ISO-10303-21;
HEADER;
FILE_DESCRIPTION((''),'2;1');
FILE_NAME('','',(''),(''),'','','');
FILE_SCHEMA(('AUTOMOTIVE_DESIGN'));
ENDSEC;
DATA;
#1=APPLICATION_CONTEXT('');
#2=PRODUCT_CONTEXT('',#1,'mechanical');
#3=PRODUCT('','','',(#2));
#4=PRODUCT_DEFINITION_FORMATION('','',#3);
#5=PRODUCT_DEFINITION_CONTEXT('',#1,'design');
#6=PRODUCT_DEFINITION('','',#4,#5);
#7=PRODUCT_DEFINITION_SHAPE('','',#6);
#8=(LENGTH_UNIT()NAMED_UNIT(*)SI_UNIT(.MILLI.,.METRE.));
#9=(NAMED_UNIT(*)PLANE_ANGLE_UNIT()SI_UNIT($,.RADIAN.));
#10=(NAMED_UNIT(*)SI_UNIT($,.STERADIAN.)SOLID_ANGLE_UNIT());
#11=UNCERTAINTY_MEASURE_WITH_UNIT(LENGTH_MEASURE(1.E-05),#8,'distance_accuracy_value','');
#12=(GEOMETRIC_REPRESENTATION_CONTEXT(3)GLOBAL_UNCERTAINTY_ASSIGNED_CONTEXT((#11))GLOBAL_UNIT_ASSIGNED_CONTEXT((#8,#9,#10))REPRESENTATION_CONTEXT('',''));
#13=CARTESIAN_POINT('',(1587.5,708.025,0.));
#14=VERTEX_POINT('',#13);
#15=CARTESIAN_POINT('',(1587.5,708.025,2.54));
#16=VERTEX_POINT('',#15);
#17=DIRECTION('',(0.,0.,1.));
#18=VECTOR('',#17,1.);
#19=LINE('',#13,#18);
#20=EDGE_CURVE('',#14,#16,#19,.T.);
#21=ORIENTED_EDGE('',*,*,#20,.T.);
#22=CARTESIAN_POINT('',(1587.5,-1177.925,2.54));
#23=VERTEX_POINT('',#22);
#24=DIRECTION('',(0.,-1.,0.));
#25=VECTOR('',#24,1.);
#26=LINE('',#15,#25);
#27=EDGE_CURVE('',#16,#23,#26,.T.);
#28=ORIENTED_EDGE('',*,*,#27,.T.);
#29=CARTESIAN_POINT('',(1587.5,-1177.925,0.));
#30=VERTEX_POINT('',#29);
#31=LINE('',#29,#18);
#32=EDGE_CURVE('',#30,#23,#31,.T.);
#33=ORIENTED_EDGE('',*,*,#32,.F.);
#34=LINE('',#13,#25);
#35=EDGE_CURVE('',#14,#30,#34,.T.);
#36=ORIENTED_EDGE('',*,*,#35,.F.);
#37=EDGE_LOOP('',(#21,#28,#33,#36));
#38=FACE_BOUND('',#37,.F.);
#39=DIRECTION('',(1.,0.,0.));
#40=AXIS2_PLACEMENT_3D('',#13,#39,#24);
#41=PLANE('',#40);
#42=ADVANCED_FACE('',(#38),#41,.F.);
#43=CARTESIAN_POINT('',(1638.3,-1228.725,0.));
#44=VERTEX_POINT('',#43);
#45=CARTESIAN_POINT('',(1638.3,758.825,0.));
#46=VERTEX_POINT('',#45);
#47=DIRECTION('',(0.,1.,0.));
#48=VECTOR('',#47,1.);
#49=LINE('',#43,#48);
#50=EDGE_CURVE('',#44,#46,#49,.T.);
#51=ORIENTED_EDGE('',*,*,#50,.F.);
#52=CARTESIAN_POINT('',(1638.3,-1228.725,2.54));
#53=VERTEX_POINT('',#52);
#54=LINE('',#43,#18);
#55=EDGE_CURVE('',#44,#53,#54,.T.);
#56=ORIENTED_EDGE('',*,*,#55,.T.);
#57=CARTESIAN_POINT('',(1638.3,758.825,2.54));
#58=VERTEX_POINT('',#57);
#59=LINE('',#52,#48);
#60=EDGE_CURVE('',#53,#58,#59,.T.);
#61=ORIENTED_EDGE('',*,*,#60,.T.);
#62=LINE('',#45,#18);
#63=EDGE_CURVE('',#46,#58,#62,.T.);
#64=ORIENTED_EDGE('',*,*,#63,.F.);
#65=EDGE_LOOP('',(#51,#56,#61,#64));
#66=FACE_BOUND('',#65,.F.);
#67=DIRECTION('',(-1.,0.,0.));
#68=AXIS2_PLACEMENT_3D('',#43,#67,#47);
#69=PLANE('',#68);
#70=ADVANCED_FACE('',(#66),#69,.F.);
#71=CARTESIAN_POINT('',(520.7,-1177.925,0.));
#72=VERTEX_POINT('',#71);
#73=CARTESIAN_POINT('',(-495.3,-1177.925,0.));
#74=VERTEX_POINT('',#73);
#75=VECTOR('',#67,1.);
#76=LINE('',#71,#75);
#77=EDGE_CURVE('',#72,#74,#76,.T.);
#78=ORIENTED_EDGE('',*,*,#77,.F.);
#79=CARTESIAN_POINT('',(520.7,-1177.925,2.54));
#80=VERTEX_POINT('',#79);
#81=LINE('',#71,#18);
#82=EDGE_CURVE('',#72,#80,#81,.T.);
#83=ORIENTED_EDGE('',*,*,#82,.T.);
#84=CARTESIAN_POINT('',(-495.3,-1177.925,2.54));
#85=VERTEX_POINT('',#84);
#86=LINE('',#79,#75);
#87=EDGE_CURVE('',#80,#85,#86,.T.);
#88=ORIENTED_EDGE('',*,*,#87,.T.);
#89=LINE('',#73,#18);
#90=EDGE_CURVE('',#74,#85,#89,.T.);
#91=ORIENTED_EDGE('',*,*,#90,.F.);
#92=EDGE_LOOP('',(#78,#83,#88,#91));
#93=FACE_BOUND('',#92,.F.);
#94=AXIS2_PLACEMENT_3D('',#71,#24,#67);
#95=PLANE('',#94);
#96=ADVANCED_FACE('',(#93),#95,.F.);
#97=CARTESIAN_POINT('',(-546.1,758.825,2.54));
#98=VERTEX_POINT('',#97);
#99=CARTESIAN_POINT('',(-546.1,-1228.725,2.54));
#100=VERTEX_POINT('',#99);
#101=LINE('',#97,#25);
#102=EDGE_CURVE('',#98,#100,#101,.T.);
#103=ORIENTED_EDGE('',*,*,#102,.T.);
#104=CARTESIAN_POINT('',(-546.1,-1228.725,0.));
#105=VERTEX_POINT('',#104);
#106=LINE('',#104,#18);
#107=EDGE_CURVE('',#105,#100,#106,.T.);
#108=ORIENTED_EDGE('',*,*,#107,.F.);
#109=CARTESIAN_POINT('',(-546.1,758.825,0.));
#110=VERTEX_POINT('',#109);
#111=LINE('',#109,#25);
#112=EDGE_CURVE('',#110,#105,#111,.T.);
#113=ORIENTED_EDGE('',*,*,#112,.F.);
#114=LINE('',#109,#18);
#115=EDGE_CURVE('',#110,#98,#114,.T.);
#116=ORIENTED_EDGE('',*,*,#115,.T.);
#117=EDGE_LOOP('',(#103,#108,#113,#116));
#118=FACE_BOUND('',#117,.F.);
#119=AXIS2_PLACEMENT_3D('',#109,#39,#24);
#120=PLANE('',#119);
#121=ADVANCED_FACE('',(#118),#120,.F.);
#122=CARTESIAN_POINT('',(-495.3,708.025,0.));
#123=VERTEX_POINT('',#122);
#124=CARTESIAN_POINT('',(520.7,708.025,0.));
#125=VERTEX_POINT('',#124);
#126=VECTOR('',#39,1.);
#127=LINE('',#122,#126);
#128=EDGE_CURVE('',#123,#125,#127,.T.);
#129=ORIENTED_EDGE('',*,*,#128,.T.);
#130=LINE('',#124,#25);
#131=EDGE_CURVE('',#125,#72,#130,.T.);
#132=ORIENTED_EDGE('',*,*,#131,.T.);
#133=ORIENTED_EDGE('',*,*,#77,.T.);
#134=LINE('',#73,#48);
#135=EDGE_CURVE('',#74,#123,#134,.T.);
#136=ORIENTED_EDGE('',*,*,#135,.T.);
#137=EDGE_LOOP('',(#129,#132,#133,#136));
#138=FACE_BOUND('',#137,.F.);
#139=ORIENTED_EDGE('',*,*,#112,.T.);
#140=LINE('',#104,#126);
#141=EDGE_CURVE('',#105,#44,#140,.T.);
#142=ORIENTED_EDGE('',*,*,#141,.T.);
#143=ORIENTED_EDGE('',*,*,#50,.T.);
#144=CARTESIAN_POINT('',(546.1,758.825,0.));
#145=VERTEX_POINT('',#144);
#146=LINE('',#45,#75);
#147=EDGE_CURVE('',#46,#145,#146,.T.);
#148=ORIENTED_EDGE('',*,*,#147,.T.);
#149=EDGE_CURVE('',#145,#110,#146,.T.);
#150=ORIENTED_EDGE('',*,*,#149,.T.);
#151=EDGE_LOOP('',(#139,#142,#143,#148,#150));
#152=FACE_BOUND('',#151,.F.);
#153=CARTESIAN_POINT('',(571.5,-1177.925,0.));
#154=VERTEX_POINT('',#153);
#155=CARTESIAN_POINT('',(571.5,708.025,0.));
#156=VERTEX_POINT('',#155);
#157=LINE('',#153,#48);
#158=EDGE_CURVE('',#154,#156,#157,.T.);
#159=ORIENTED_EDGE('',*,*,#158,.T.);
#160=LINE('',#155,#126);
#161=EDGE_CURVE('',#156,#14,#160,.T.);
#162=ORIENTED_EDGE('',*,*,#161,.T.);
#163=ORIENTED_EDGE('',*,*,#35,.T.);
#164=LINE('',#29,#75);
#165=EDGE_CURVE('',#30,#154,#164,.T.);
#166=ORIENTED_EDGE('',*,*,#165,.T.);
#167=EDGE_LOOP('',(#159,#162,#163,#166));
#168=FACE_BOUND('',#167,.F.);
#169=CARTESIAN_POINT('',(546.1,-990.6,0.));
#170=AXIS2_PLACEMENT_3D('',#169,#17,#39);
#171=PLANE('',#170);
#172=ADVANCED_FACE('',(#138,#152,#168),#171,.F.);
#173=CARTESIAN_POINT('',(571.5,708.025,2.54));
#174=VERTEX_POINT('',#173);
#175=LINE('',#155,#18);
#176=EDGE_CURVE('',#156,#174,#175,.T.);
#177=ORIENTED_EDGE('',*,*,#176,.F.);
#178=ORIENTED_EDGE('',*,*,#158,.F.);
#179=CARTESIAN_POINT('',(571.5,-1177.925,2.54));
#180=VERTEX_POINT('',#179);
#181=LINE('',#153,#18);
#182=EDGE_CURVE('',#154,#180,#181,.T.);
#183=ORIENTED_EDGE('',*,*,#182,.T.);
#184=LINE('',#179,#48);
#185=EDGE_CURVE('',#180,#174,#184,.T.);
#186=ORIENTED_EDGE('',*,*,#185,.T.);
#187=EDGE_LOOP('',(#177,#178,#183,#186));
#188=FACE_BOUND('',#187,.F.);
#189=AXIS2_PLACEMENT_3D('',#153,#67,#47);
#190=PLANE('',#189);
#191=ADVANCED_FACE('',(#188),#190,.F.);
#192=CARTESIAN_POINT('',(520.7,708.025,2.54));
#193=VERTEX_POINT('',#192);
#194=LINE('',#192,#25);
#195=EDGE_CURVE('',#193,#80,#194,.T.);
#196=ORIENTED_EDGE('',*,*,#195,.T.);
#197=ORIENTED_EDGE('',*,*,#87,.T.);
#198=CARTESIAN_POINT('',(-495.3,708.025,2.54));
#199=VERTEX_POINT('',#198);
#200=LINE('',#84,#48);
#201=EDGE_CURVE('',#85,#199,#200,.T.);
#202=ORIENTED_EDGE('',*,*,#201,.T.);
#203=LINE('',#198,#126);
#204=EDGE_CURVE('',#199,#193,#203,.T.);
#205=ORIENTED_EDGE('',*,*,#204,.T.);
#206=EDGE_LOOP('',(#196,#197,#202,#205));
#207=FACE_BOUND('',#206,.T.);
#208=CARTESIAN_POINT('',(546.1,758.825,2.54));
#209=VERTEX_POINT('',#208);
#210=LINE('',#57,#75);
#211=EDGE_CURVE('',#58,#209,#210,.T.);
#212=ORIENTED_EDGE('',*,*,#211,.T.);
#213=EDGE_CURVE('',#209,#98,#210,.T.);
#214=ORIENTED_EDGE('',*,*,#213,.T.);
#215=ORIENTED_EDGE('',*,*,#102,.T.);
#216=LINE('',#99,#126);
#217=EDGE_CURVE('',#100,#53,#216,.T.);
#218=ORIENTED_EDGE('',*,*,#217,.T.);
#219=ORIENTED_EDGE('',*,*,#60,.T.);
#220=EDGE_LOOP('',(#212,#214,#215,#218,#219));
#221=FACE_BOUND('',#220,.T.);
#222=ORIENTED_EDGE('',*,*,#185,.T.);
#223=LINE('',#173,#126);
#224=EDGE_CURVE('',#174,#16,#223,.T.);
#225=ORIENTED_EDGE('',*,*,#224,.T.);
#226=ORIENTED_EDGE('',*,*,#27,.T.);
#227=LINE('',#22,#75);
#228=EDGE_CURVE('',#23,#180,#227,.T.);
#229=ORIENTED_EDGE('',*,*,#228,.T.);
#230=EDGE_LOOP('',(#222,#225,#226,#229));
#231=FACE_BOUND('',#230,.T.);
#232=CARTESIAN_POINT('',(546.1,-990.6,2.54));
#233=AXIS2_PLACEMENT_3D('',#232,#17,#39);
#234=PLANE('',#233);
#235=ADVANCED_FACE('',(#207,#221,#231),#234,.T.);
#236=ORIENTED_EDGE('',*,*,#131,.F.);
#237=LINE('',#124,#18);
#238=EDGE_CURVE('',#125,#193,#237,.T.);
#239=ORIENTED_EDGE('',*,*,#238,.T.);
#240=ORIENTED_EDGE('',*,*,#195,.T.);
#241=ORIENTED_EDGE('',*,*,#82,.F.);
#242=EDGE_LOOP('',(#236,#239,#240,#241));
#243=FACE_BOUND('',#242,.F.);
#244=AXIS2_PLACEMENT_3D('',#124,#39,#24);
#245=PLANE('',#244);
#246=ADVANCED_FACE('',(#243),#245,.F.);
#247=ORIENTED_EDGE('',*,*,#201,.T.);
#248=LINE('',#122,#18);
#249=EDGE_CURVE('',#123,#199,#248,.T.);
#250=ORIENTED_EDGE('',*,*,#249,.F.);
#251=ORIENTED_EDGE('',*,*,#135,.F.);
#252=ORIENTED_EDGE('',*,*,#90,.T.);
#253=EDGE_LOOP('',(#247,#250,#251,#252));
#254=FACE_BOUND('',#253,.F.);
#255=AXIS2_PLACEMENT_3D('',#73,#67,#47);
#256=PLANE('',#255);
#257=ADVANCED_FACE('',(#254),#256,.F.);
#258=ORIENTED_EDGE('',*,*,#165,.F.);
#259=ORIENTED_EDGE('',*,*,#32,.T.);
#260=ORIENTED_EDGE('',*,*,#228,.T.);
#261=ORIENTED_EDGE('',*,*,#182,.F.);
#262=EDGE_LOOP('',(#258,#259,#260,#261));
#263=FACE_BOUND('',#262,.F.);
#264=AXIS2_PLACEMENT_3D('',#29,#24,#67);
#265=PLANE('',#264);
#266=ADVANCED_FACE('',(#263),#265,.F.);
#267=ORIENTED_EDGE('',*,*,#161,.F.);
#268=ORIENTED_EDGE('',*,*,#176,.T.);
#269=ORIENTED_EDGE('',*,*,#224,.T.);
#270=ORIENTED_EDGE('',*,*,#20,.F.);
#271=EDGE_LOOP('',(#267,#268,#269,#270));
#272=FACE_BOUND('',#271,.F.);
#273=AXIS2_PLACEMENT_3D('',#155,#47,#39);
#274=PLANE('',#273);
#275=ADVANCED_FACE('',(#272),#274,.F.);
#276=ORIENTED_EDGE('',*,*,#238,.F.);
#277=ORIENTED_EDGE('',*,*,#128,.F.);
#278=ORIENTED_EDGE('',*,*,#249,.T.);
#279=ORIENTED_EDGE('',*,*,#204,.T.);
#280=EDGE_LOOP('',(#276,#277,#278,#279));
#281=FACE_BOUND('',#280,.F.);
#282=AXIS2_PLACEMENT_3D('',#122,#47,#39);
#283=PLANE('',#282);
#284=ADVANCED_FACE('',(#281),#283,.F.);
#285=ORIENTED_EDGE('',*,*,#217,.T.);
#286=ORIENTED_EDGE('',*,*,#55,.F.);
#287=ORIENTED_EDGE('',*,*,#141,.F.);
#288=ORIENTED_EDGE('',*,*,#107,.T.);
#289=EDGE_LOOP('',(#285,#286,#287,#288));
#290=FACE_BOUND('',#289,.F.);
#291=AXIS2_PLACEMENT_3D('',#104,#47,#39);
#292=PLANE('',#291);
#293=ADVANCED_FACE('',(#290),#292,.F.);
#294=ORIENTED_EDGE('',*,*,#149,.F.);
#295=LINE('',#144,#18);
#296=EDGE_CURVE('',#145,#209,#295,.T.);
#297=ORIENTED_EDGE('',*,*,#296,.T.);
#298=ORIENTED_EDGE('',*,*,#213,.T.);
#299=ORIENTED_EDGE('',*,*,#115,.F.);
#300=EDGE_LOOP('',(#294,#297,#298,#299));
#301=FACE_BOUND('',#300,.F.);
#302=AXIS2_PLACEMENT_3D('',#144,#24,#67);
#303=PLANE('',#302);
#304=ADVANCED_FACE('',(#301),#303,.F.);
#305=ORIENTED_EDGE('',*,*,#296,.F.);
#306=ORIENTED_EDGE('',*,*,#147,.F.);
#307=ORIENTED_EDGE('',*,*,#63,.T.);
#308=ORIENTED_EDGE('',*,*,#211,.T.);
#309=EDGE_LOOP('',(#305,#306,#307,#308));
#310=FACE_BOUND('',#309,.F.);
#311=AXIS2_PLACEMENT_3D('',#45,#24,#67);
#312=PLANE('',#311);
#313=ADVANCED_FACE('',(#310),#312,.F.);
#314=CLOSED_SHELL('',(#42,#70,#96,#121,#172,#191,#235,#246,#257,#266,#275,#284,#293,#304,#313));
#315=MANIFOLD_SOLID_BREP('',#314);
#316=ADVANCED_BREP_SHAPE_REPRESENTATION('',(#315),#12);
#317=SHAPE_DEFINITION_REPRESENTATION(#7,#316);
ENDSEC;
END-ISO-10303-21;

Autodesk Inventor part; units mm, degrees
ref_plane "YZ Plane" through (0, 0, 0) normal (1, 0, 0) x (0, 1, 0)
ref_plane "XZ Plane" through (0, 0, 0) normal (0, 1, 0) x (-1, 0, 0)
ref_plane "XY Plane" through (0, 0, 0) normal (0, 0, 1) x (1, 0, 0)
ref_plane "Work Plane2" through (546.1, -990.6, 0) normal (0, 0, 1) x (1, 0, 0)
sketch "Sketch2" plane through (546.1, -990.6, 0) normal (0, 0, 1) x (1, 0, 0)
  line L0 (-1092.2, -238.125) -> (1092.2, -238.125)
  line L1 (1092.2, -238.125) -> (1092.2, 1749.425)
  line L2 (1092.2, 1749.425) -> (-1092.2, 1749.425)
  line L3 (-1092.2, 1749.425) -> (-1092.2, -238.125)
  line L4 (1041.4, 1698.625) -> (1041.4, -187.325)
  line L5 (-1041.4, -187.325) -> (-1041.4, 1698.625)
  line L6 (0, 231.775) -> (0, 1749.425) projected
  line L7 (-25.4, 1698.625) -> (-25.4, -187.325)
  line L8 (25.4, -187.325) -> (25.4, 1698.625)
  line L9 (-1041.4, 1698.625) -> (-25.4, 1698.625)
  line L10 (25.4, 1698.625) -> (1041.4, 1698.625)
  line L11 (1041.4, -187.325) -> (25.4, -187.325)
  line L12 (-25.4, -187.325) -> (-1041.4, -187.325)
  point P0 (-546.1, 990.6)
  point P1 (1092.2, -238.125)
  dimension "d12" = 50.8
  dimension "d13" = 25.4
extrude "Extrusion2" add sketch "Sketch2" along normal blind 2.54
properties part number "Tape" material "Polycarbonate, Clear"
